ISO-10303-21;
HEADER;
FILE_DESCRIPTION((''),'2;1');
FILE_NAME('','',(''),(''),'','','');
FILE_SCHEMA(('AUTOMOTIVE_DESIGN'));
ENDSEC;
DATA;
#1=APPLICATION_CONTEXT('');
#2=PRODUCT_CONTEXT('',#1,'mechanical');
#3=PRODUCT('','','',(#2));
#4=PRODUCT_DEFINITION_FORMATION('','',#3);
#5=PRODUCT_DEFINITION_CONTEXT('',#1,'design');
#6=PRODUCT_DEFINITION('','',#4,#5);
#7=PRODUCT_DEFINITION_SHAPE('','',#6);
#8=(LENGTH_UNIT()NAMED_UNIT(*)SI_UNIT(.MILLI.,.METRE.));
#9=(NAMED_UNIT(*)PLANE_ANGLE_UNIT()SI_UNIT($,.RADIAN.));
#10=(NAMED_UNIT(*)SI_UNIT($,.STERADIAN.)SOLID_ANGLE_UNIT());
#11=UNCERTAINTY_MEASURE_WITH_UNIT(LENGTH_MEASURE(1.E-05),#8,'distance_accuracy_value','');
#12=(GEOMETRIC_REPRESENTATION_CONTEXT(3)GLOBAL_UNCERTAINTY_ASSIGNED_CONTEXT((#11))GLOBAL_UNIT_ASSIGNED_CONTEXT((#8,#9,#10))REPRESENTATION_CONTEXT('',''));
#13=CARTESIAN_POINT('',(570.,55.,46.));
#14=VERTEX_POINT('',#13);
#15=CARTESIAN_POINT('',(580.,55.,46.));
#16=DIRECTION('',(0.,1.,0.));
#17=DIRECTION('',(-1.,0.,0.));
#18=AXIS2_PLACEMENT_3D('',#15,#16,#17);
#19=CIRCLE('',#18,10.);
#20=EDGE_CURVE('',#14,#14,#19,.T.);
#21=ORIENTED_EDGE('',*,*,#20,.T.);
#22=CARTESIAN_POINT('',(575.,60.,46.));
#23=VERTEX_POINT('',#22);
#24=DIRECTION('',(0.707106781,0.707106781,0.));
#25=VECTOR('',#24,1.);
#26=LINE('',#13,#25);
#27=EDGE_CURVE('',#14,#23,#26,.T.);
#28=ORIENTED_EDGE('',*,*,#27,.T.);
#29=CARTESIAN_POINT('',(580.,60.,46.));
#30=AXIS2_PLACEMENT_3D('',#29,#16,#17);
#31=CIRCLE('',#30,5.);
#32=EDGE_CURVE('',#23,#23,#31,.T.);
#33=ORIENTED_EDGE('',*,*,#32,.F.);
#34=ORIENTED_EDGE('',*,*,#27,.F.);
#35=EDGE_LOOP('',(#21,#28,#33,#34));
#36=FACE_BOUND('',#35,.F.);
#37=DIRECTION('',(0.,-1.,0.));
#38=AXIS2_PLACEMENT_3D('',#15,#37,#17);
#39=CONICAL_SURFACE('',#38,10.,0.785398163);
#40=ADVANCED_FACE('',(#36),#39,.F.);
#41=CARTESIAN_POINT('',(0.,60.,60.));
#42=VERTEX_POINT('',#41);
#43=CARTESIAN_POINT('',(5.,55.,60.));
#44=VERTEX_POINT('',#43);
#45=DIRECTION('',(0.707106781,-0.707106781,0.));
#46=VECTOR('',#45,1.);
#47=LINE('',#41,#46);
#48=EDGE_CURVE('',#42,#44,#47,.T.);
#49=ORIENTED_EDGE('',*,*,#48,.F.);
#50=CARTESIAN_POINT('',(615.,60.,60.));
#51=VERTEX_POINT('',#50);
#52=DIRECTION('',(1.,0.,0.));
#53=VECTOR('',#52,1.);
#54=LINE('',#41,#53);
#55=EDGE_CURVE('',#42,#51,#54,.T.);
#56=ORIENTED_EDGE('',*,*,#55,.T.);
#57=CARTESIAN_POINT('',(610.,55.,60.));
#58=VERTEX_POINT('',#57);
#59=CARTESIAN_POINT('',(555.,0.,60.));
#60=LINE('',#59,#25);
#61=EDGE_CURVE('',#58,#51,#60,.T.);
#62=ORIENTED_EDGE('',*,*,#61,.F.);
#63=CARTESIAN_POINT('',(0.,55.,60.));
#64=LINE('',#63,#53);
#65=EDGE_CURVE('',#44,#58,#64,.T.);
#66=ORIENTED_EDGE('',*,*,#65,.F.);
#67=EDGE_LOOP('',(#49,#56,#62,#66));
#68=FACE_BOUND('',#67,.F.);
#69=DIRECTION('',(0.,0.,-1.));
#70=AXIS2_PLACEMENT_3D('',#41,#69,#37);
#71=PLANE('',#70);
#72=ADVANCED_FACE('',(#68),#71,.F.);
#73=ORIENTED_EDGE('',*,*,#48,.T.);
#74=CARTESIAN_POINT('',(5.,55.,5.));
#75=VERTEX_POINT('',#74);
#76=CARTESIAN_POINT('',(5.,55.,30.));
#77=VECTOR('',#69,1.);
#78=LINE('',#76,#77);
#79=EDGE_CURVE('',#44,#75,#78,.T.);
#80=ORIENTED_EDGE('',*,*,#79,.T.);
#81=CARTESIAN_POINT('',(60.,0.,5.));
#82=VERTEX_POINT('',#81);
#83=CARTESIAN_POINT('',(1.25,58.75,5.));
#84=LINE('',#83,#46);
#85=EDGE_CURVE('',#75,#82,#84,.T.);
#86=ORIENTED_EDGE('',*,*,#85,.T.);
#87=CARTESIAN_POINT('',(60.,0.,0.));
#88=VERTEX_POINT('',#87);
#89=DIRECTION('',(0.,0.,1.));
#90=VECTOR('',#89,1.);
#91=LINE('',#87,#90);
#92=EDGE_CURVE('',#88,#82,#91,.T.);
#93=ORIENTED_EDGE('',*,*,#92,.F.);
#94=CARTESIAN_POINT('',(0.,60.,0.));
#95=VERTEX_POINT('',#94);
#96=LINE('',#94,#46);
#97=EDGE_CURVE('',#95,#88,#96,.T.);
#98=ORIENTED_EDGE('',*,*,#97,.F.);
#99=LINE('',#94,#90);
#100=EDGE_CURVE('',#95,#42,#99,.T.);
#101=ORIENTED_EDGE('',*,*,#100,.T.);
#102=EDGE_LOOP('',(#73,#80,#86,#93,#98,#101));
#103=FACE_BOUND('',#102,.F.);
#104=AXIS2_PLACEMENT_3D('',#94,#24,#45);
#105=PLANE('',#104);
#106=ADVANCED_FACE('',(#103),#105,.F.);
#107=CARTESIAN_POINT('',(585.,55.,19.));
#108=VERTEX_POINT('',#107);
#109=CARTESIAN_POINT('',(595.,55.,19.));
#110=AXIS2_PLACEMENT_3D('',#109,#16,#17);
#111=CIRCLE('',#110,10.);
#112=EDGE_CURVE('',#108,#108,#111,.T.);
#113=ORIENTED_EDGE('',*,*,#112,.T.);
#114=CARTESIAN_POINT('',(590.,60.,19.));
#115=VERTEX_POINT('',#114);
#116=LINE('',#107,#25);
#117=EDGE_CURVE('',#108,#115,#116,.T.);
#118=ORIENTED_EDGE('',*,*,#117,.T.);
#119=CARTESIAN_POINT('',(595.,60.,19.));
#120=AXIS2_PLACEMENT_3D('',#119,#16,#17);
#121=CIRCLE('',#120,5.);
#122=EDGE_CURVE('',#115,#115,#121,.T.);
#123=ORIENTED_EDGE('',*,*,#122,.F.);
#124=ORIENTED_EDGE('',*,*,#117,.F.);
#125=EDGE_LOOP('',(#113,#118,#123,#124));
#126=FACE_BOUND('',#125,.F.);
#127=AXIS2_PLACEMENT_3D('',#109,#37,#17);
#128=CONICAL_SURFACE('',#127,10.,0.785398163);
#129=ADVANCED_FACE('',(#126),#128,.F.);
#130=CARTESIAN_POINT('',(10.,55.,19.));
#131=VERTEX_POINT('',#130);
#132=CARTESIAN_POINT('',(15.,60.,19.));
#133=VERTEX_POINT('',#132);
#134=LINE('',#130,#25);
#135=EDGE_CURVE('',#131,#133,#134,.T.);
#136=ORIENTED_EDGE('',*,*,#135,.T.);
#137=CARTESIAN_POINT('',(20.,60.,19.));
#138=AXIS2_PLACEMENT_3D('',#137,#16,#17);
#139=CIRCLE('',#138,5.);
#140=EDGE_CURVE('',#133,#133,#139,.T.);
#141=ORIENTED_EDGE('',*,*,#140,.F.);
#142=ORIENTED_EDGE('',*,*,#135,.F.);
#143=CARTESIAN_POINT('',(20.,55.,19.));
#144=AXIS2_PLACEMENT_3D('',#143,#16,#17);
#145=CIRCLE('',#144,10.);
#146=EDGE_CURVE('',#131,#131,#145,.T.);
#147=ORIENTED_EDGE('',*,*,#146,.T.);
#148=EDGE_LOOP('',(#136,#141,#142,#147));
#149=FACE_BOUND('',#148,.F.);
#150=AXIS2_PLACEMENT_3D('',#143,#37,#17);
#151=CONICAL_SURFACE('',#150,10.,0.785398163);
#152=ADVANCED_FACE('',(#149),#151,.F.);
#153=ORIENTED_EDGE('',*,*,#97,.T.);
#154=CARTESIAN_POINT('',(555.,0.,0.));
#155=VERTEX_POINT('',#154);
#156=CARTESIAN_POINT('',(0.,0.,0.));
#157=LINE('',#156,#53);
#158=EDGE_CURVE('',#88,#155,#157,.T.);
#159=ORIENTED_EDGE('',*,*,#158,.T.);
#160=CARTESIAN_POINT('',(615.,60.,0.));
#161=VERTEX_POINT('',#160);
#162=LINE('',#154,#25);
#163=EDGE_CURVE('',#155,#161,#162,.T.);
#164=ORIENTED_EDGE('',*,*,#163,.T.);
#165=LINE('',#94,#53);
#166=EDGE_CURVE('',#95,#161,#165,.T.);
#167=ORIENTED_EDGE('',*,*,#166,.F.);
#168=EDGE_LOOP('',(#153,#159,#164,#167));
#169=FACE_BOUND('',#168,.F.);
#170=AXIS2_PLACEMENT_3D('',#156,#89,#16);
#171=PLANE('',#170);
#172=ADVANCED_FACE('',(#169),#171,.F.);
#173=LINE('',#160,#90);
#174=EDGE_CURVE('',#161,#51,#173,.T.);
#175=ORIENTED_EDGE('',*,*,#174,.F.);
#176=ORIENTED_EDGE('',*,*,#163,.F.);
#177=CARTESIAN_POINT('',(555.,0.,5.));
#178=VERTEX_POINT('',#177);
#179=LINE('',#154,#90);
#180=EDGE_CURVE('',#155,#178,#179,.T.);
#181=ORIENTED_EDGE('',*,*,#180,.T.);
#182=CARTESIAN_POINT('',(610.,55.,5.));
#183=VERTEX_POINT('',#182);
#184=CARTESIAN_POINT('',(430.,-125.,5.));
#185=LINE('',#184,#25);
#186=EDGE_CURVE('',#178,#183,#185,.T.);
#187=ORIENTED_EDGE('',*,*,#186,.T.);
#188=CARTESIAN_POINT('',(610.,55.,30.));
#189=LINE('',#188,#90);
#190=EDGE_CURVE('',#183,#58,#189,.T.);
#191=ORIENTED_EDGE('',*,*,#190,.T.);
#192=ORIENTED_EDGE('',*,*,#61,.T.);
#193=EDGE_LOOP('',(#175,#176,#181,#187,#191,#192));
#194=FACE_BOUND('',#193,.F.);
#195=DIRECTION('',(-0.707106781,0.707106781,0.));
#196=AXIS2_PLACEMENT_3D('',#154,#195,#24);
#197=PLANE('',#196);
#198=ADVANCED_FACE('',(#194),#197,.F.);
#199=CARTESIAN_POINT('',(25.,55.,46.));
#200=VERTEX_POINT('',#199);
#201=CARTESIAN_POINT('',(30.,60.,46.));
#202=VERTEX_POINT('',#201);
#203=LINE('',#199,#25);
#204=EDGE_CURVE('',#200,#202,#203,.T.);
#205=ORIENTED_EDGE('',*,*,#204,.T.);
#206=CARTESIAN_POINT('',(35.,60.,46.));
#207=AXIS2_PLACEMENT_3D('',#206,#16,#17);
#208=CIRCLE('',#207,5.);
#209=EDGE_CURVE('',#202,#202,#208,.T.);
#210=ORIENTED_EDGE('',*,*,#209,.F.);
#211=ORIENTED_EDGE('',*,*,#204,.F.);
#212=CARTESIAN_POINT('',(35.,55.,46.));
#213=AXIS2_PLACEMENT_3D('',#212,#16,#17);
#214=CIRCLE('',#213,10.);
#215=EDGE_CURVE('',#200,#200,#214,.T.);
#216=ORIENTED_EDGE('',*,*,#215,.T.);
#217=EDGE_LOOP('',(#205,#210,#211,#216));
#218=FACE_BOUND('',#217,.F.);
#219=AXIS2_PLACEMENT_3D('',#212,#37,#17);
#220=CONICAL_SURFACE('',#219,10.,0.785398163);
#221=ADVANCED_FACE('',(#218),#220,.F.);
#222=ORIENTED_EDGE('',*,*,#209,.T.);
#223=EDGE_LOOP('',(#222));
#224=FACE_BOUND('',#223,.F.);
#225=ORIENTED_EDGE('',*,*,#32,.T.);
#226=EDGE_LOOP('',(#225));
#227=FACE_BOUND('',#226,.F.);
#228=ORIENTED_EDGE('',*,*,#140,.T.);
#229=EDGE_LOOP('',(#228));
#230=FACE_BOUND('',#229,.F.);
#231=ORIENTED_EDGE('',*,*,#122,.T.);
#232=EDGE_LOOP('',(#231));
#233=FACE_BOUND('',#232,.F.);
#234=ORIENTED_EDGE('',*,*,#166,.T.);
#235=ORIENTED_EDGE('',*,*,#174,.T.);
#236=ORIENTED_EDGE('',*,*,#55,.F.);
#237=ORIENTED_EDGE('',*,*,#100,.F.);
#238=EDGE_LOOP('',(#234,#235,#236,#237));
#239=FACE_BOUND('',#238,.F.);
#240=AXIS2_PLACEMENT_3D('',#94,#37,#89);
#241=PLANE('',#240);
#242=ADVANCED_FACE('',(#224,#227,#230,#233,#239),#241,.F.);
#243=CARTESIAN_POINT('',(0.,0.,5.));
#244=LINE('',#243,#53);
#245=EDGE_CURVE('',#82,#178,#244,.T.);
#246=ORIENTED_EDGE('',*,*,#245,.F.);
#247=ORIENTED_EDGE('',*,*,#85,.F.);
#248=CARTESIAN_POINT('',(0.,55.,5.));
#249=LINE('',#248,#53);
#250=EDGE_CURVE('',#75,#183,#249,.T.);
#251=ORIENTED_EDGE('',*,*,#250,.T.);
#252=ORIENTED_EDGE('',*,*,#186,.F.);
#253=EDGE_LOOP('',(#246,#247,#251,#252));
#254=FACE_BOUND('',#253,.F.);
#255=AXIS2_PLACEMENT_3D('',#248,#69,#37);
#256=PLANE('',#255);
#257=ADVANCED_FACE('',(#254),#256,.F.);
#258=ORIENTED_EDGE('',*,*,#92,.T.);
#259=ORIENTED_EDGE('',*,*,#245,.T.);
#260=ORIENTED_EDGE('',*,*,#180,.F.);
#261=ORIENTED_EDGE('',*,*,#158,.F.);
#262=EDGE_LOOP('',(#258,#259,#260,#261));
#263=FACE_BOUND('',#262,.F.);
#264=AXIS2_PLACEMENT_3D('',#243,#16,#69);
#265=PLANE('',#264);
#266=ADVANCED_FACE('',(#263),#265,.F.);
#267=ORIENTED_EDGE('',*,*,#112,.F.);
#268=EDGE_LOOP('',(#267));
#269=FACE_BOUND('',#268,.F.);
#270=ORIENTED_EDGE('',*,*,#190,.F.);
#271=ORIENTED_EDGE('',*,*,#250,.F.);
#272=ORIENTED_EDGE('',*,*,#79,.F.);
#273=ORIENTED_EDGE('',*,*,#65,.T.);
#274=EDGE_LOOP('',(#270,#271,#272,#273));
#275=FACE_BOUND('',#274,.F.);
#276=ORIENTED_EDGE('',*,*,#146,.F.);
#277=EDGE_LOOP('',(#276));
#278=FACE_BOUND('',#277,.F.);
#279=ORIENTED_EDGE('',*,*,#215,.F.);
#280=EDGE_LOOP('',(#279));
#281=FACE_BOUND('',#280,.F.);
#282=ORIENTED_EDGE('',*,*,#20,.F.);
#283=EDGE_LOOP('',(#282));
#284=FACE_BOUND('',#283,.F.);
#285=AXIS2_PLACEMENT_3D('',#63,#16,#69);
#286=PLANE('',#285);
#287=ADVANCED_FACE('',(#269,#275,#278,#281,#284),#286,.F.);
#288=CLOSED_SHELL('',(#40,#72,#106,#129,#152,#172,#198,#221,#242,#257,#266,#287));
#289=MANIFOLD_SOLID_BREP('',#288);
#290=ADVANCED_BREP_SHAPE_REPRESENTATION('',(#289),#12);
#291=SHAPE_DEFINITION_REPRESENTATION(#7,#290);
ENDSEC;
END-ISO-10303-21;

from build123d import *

# Parameters (mm, degrees)
F1_DEPTH       = 615
F3_DEPTH       = 60
F5_D           = 9
F5_CSINK_D     = 20
F5_CSINK_ANGLE = 90


with BuildPart() as f1:
    # F0 (on Right) → F1 (new body)
    with BuildSketch(Plane.YZ):
        Polygon((0, 5), (0, 0), (60, 0), (60, 60), (55, 60), (55, 5), align=None)
    extrude(amount=F1_DEPTH)

    # F2 (on face) → F3 (cut, through all)
    with BuildSketch(Plane(origin=(0, 0, 0), x_dir=(1, 0, 0), z_dir=(0, 0, -1))):
        Polygon((0, 0), (0, -60), (60, 0), align=None)
        Polygon((555, 0), (615, -60), (615, 0), align=None)
    extrude(amount=-F3_DEPTH, mode=Mode.SUBTRACT)

    # F5 (through all)
    with Locations(Plane.XZ.offset(-55)):
        with Locations((35, 46), (20, 19), (580, 46), (595, 19)):
            CounterSinkHole(F5_D / 2, F5_CSINK_D / 2, counter_sink_angle=F5_CSINK_ANGLE)


solid = f1.part
